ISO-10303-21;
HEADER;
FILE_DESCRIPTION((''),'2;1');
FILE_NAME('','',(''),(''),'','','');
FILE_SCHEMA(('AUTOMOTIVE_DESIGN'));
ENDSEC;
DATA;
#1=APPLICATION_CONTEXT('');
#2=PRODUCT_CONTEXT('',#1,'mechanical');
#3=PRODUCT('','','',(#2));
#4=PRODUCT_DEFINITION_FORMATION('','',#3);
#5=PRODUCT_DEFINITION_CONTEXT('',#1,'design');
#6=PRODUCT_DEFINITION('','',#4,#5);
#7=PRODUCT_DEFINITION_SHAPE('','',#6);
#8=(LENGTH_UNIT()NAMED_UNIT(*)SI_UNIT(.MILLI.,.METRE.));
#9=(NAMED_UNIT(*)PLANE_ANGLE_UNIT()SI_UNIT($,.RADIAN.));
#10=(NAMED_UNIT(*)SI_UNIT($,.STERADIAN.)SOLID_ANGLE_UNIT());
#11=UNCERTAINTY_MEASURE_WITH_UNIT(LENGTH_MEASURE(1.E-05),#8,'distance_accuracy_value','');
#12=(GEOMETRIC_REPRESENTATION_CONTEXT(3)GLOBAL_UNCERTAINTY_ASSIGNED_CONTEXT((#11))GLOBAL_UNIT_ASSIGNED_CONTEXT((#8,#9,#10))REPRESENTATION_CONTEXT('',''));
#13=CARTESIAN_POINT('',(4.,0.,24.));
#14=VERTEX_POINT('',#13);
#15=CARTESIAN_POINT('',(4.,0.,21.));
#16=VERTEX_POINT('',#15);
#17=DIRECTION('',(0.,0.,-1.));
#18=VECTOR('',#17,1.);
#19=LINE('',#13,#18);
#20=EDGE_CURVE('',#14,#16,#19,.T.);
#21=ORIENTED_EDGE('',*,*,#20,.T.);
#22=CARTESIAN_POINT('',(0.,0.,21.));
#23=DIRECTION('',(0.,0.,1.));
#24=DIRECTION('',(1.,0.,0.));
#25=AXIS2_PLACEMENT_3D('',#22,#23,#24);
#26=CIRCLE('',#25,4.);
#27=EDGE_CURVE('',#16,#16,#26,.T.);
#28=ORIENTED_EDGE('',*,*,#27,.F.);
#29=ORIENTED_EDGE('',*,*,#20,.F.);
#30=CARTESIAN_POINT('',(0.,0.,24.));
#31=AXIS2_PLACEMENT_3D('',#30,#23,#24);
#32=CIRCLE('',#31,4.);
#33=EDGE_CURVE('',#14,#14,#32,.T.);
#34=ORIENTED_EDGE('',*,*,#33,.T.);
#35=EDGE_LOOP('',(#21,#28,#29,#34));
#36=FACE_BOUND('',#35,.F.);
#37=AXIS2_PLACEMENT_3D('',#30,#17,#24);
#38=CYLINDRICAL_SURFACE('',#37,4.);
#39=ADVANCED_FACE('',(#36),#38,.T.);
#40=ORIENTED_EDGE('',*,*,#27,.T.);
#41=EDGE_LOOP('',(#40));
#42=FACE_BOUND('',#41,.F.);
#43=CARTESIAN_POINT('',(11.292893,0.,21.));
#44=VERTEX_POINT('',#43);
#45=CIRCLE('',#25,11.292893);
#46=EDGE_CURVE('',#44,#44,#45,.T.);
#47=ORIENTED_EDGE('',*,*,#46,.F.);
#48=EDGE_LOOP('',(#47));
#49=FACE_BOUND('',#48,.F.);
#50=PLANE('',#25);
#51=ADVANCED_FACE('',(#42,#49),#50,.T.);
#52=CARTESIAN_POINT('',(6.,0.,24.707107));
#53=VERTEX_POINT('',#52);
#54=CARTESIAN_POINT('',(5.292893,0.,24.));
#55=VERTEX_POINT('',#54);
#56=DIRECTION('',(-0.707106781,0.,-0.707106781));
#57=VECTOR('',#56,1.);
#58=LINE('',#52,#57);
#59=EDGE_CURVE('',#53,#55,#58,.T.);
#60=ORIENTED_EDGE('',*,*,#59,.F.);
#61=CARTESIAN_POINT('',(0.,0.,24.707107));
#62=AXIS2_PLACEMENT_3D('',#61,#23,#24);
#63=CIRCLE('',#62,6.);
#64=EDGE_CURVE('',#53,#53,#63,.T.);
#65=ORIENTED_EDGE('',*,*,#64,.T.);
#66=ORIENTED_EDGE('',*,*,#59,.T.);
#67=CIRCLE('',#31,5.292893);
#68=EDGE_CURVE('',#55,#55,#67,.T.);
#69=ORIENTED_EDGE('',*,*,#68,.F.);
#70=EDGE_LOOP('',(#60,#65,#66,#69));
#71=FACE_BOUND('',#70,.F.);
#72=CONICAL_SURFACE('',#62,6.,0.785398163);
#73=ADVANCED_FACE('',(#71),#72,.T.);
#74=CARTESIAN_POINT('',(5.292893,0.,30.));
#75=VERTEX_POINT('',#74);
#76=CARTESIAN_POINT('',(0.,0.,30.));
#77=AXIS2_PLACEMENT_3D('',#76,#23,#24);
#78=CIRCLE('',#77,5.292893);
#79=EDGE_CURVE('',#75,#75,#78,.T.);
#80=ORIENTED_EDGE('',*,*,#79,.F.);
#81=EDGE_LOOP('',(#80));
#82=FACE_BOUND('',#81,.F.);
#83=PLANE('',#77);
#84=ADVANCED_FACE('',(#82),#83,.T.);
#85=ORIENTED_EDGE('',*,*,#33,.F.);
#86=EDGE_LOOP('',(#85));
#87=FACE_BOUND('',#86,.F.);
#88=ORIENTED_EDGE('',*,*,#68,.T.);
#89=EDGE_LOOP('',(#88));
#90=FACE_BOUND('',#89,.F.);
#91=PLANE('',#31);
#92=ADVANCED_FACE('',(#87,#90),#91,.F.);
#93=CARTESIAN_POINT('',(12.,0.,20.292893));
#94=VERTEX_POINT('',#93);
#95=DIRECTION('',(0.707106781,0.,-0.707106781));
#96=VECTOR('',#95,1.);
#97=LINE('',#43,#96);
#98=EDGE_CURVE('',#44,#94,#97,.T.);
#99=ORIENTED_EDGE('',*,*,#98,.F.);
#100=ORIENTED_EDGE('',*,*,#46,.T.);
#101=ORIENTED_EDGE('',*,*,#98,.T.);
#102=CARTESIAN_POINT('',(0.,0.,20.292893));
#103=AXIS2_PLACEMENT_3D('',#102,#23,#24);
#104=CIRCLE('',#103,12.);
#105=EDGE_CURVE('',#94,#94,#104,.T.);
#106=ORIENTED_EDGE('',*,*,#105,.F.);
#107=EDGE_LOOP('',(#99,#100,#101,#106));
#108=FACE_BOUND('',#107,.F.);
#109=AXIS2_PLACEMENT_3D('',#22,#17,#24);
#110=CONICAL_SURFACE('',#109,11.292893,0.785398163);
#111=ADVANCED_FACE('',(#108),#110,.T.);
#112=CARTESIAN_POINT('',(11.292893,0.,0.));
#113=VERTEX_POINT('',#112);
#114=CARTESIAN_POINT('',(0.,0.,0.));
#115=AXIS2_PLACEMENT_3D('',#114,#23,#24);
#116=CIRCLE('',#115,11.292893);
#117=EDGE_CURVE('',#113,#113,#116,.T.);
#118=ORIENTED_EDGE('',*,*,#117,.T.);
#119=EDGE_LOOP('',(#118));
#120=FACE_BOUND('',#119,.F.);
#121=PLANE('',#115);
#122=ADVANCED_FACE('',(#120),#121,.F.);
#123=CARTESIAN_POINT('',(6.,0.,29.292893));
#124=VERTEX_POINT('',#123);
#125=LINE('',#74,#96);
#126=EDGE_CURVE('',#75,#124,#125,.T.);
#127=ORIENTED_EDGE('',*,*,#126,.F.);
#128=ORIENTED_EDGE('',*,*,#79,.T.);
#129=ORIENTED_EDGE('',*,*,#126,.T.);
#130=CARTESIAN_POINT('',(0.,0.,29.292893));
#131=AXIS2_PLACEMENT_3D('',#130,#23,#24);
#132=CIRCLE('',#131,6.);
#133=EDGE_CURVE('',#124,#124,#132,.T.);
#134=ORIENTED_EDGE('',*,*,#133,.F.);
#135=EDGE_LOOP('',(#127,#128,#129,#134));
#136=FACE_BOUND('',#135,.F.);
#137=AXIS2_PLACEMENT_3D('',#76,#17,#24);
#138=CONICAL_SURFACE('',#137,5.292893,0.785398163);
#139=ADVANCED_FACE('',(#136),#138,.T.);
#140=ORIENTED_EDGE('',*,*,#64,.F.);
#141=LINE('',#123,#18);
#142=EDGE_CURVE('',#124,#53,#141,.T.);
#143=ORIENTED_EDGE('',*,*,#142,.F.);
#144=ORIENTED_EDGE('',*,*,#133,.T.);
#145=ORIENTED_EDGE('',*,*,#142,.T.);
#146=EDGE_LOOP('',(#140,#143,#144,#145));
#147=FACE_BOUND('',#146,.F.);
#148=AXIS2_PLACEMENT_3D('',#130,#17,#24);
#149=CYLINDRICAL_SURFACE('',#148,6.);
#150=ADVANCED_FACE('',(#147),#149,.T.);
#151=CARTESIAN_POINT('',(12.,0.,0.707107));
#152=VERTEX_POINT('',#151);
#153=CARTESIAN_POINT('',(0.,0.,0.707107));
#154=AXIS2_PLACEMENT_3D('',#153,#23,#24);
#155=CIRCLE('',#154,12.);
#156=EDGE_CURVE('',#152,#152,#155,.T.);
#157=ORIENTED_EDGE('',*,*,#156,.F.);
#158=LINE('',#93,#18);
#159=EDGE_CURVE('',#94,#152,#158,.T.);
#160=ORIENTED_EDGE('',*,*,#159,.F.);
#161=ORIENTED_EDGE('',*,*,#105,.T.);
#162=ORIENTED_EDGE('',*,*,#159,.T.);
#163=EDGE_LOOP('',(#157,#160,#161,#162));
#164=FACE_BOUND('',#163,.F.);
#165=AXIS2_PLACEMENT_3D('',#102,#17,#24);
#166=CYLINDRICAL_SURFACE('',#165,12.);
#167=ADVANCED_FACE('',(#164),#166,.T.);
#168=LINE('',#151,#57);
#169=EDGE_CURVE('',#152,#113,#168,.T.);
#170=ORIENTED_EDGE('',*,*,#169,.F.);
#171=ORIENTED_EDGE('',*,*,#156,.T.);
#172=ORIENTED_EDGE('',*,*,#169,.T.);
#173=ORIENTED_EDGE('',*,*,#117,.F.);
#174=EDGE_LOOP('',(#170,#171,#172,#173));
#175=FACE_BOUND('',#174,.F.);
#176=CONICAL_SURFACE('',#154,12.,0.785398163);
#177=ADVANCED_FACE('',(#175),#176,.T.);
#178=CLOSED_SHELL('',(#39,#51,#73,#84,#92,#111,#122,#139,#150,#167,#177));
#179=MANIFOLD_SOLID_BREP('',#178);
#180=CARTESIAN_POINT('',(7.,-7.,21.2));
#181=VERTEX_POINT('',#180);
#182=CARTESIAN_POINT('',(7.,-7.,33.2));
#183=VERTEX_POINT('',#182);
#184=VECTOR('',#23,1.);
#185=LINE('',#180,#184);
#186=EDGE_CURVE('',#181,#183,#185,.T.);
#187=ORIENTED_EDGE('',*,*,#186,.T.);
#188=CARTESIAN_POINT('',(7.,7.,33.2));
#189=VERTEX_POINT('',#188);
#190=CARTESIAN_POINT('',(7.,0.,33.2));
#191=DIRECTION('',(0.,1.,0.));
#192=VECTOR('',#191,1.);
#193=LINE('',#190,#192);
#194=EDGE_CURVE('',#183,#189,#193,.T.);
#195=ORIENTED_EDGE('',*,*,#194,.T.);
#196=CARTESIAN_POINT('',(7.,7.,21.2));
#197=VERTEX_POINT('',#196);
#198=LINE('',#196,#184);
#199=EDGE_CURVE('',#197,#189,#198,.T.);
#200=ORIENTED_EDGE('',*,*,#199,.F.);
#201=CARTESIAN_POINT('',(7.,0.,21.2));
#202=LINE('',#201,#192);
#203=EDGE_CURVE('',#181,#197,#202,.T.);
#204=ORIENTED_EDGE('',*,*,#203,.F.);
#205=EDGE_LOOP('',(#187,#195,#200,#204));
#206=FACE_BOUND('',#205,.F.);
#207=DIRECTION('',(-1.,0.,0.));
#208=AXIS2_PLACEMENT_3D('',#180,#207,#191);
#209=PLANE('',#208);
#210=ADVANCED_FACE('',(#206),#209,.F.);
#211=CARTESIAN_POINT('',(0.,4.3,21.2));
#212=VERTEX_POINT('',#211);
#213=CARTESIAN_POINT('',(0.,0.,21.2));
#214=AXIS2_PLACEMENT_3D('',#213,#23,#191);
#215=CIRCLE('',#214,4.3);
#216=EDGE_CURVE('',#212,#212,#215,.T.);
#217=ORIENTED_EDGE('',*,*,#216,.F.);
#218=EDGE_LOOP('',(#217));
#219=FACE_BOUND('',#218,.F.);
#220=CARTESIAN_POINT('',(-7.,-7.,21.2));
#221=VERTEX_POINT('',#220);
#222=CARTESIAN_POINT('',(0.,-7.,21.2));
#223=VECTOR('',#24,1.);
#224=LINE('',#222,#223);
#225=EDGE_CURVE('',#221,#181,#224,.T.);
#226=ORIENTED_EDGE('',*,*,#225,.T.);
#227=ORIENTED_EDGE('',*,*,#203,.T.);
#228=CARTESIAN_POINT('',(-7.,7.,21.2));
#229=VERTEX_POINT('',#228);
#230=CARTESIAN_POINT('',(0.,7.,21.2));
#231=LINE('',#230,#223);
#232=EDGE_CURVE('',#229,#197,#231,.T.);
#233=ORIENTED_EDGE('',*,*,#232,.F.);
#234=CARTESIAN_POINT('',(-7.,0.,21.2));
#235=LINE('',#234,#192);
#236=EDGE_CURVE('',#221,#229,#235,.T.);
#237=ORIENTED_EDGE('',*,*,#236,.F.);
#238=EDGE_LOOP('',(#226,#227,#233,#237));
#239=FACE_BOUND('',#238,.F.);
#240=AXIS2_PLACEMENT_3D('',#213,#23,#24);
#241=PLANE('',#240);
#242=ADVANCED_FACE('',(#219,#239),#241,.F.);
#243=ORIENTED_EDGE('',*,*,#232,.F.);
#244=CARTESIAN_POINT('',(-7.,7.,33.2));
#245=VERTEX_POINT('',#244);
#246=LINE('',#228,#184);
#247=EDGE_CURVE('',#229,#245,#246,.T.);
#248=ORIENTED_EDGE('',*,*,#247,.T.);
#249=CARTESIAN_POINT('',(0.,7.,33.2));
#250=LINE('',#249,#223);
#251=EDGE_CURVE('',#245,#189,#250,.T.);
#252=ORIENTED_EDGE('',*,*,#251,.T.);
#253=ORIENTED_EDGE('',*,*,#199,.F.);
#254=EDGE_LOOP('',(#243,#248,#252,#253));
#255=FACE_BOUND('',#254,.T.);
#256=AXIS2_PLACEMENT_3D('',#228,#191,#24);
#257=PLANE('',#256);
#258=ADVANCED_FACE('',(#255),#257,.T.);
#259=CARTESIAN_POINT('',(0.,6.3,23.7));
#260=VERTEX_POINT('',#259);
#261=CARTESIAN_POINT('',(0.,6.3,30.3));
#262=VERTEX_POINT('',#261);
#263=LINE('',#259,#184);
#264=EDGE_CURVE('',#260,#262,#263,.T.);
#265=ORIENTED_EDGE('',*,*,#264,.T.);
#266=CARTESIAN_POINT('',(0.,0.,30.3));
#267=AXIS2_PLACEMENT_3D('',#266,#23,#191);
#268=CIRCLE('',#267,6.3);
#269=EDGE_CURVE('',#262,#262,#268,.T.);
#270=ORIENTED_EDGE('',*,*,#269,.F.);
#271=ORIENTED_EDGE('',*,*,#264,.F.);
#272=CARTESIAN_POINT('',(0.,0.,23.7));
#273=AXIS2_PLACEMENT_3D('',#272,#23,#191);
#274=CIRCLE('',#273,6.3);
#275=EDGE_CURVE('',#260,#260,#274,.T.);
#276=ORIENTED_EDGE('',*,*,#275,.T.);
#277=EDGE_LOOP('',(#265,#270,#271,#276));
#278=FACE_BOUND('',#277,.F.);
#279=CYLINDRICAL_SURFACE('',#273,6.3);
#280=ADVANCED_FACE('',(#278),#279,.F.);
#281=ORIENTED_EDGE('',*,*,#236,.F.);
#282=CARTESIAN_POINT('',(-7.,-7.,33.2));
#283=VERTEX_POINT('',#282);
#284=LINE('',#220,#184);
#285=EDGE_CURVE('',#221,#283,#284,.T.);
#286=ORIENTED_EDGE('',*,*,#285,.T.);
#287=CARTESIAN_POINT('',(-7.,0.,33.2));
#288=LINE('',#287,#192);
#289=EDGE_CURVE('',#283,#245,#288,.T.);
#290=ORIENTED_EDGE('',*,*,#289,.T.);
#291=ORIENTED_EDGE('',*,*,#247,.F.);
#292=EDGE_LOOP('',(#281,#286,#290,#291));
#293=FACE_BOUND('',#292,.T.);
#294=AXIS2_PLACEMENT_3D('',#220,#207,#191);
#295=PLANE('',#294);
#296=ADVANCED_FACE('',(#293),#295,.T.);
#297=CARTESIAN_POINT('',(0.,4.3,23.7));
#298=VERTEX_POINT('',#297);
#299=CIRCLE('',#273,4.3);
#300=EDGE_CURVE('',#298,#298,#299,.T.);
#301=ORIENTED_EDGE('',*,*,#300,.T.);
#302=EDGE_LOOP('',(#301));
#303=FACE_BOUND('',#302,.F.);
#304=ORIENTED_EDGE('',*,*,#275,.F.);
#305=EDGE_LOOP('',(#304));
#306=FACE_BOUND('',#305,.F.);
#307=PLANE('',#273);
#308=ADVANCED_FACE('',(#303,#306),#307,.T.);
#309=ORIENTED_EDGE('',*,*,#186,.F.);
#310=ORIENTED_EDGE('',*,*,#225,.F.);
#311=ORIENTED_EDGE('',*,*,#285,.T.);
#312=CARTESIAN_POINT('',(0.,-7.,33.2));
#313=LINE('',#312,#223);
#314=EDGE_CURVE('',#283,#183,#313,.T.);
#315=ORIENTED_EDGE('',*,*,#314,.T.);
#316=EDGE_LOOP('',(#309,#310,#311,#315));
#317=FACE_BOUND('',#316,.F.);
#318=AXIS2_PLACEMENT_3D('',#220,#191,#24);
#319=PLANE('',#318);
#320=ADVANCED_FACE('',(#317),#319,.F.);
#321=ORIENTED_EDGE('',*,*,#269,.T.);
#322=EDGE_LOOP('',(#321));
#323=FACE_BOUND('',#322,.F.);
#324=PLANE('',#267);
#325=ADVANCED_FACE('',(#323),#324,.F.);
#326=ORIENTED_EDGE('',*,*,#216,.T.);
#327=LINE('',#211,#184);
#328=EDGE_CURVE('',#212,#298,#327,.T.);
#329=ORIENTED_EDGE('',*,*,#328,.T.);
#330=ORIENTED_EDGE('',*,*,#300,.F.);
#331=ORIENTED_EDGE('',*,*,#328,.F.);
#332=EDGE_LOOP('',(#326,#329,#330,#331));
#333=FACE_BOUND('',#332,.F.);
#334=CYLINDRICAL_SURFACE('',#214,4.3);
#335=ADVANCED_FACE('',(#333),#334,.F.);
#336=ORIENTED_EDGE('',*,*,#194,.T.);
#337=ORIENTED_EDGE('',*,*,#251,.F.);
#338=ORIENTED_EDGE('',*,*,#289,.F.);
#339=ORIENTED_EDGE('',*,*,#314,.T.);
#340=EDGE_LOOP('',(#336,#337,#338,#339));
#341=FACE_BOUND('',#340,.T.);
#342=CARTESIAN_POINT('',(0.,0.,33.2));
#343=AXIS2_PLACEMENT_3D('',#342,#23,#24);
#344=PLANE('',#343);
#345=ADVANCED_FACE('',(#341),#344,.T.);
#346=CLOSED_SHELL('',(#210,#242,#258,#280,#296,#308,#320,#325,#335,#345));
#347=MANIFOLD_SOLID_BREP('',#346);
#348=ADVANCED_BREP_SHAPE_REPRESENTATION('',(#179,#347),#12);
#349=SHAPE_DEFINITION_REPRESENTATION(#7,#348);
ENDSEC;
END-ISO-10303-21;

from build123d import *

# Parameters (mm, degrees)
SKETCH001_W = 14
SKETCH001_H = 14
PAD_DEPTH   = 12


with BuildPart() as corps:
    # Sketch (on XZ_Plane of Origin) → Revolution (revolve)
    with BuildSketch(Plane.XZ):
        Polygon((0, 30), (5.292893, 30), (6, 29.292893), (6, 24.707107), (5.292893, 24), (4, 24), (4, 21), (11.292893, 21), (12, 20.292893), (12, 0.707107), (11.292893, 0), (0, 0), align=None)
    revolve(axis=Axis((0, 0, 0), (0, 0, 1)))


with BuildPart() as corps001:
    # Sketch001 (on Face7 of Binder) → Pad (new body)
    with BuildSketch(Plane.XY.offset(21.2)):
        Rectangle(SKETCH001_W, SKETCH001_H)
    extrude(amount=PAD_DEPTH)

    # Sketch002 (on YZ_Plane001 of Origin002) → Groove (revolve, cut)
    with BuildSketch(Plane.YZ):
        Polygon((0, 30.3), (0, 21.2), (4.3, 21.2), (4.3, 23.7), (6.3, 23.7), (6.3, 30.3), align=None)
    revolve(axis=Axis((0, 0, 0), (0, 0, 1)), mode=Mode.SUBTRACT)


solid = Compound([corps.part, corps001.part])
